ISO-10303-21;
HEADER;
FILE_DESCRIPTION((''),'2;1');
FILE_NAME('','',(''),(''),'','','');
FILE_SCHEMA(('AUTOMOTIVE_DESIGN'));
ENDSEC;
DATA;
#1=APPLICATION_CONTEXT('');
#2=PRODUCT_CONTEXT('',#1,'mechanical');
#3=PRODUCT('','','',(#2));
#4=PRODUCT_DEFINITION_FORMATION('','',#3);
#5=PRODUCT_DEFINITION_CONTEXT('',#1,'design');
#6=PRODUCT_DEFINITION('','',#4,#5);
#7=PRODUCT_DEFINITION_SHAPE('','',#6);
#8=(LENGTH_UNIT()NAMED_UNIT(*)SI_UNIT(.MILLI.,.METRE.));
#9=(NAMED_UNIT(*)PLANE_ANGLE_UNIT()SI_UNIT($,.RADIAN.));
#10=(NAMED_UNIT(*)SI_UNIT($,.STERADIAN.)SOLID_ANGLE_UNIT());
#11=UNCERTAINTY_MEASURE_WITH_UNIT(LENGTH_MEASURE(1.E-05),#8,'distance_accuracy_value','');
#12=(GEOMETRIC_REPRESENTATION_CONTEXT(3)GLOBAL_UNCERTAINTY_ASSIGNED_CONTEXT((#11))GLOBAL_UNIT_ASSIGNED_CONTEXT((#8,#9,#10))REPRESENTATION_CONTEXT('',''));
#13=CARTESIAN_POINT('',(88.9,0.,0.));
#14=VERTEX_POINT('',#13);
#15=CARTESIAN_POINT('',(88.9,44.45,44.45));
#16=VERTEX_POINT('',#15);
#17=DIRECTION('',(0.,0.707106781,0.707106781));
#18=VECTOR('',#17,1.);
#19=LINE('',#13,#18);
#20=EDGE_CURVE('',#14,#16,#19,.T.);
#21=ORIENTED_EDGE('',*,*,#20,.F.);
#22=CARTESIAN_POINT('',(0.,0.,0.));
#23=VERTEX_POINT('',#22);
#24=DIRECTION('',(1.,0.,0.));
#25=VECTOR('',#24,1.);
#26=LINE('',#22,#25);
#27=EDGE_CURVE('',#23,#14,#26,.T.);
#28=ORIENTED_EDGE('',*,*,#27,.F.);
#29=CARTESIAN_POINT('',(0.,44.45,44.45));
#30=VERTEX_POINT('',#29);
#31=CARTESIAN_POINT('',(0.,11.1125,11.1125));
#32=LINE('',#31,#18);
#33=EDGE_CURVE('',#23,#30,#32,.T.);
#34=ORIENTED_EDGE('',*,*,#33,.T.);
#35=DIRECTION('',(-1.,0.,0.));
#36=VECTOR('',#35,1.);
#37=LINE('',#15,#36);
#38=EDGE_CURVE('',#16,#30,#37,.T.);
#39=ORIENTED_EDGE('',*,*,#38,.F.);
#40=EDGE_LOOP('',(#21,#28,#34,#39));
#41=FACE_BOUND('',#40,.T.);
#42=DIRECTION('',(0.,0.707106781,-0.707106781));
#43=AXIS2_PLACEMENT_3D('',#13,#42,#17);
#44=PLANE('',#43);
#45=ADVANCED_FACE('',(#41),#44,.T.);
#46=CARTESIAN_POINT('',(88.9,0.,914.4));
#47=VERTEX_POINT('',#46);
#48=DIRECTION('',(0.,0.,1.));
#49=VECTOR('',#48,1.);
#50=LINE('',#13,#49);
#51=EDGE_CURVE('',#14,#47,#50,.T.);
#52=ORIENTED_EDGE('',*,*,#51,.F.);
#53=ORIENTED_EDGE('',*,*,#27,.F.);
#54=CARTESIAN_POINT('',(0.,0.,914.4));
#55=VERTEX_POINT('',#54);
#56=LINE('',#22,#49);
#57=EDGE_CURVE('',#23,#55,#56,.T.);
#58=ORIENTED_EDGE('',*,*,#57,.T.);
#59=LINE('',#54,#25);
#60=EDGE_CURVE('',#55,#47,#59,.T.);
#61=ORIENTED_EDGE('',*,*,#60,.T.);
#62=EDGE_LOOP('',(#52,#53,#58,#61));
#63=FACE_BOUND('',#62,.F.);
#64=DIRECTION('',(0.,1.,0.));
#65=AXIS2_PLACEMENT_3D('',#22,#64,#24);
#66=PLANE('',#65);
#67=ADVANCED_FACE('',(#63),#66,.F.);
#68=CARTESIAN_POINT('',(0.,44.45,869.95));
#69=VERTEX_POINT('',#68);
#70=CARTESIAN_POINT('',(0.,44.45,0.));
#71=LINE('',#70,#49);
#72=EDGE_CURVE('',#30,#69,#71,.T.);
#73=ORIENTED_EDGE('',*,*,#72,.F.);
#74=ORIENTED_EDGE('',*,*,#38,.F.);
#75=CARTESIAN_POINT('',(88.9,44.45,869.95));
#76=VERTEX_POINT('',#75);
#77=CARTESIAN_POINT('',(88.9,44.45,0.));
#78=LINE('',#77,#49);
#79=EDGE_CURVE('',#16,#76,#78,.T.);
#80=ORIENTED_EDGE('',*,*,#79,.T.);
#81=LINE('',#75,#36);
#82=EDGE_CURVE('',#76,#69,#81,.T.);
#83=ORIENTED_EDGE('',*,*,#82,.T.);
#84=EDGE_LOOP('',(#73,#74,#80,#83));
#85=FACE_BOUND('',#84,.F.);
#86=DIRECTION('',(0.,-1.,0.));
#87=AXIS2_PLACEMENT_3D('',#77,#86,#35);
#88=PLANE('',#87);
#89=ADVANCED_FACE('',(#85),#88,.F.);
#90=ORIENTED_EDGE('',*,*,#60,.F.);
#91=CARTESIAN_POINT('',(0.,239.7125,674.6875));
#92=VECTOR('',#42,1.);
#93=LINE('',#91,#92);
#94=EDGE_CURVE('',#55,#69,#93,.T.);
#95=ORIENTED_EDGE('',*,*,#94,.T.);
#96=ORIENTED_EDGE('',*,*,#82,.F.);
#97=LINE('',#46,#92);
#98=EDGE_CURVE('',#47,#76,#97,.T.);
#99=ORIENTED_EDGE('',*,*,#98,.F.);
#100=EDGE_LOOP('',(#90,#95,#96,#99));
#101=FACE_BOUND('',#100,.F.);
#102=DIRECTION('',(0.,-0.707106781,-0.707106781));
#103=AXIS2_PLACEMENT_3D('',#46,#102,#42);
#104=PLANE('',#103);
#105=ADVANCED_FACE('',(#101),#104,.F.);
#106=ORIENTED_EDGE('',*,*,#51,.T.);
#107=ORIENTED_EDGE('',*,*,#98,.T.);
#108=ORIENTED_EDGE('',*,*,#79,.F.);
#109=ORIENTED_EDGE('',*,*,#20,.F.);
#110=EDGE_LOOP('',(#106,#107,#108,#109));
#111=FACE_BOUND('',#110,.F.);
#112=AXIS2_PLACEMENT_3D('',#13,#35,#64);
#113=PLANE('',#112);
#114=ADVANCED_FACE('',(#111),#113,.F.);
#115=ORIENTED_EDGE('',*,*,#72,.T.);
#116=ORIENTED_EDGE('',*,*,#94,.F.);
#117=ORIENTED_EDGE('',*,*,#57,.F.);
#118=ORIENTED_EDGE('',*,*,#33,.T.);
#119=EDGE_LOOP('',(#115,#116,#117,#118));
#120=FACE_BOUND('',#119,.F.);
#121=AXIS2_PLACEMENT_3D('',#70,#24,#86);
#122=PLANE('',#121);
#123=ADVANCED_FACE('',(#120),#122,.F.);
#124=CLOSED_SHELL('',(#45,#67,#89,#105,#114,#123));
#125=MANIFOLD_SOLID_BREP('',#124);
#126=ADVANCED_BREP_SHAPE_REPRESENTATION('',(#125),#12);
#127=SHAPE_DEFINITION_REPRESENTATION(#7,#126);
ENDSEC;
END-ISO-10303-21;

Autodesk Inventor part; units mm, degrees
ref_plane "YZ Plane" through (0, 0, 0) normal (1, 0, 0) x (0, 1, 0)
ref_plane "XZ Plane" through (0, 0, 0) normal (0, 1, 0) x (-1, 0, 0)
ref_plane "XY Plane" through (0, 0, 0) normal (0, 0, 1) x (1, 0, 0)
sketch "Sketch1" plane through (0, 0, 0) normal (0, 0, 1) x (1, 0, 0)
  line L0 (0, 0) -> (88.9, 0)
  line L1 (88.9, 0) -> (88.9, 44.45)
  line L2 (88.9, 44.45) -> (0, 44.45)
  line L3 (0, 44.45) -> (0, 0)
  dimension "d0" = 88.9
  dimension "d1" = 44.45
extrude "Extrusion1" add sketch "Sketch1" along normal blind 914.4
sketch "Sketch7" plane through (88.9, 0, 0) normal (1, 0, 0) x (0, 0, -1)
  line L0 (0, 0) -> (0, 44.45) projected
  line L1 (0, 44.45) -> (-914.4, 44.45) projected
  line L2 (-914.4, 0) -> (-914.4, 44.45) projected
  line L3 (-914.4, 0) -> (-869.95, 44.45)
  line L4 (-914.4, 0) -> (-821.5343, 0) construction
  line L5 (0, 0) -> (-44.45, 44.45)
  line L6 (0, 0) -> (114.326, 0) construction
  dimension "d20" = 45
  dimension "d21" = 135
extrude "Extrusion3" cut sketch "Sketch7" against normal blind 254
properties part number "1p2poscr" material "Wood (Cherry)"
